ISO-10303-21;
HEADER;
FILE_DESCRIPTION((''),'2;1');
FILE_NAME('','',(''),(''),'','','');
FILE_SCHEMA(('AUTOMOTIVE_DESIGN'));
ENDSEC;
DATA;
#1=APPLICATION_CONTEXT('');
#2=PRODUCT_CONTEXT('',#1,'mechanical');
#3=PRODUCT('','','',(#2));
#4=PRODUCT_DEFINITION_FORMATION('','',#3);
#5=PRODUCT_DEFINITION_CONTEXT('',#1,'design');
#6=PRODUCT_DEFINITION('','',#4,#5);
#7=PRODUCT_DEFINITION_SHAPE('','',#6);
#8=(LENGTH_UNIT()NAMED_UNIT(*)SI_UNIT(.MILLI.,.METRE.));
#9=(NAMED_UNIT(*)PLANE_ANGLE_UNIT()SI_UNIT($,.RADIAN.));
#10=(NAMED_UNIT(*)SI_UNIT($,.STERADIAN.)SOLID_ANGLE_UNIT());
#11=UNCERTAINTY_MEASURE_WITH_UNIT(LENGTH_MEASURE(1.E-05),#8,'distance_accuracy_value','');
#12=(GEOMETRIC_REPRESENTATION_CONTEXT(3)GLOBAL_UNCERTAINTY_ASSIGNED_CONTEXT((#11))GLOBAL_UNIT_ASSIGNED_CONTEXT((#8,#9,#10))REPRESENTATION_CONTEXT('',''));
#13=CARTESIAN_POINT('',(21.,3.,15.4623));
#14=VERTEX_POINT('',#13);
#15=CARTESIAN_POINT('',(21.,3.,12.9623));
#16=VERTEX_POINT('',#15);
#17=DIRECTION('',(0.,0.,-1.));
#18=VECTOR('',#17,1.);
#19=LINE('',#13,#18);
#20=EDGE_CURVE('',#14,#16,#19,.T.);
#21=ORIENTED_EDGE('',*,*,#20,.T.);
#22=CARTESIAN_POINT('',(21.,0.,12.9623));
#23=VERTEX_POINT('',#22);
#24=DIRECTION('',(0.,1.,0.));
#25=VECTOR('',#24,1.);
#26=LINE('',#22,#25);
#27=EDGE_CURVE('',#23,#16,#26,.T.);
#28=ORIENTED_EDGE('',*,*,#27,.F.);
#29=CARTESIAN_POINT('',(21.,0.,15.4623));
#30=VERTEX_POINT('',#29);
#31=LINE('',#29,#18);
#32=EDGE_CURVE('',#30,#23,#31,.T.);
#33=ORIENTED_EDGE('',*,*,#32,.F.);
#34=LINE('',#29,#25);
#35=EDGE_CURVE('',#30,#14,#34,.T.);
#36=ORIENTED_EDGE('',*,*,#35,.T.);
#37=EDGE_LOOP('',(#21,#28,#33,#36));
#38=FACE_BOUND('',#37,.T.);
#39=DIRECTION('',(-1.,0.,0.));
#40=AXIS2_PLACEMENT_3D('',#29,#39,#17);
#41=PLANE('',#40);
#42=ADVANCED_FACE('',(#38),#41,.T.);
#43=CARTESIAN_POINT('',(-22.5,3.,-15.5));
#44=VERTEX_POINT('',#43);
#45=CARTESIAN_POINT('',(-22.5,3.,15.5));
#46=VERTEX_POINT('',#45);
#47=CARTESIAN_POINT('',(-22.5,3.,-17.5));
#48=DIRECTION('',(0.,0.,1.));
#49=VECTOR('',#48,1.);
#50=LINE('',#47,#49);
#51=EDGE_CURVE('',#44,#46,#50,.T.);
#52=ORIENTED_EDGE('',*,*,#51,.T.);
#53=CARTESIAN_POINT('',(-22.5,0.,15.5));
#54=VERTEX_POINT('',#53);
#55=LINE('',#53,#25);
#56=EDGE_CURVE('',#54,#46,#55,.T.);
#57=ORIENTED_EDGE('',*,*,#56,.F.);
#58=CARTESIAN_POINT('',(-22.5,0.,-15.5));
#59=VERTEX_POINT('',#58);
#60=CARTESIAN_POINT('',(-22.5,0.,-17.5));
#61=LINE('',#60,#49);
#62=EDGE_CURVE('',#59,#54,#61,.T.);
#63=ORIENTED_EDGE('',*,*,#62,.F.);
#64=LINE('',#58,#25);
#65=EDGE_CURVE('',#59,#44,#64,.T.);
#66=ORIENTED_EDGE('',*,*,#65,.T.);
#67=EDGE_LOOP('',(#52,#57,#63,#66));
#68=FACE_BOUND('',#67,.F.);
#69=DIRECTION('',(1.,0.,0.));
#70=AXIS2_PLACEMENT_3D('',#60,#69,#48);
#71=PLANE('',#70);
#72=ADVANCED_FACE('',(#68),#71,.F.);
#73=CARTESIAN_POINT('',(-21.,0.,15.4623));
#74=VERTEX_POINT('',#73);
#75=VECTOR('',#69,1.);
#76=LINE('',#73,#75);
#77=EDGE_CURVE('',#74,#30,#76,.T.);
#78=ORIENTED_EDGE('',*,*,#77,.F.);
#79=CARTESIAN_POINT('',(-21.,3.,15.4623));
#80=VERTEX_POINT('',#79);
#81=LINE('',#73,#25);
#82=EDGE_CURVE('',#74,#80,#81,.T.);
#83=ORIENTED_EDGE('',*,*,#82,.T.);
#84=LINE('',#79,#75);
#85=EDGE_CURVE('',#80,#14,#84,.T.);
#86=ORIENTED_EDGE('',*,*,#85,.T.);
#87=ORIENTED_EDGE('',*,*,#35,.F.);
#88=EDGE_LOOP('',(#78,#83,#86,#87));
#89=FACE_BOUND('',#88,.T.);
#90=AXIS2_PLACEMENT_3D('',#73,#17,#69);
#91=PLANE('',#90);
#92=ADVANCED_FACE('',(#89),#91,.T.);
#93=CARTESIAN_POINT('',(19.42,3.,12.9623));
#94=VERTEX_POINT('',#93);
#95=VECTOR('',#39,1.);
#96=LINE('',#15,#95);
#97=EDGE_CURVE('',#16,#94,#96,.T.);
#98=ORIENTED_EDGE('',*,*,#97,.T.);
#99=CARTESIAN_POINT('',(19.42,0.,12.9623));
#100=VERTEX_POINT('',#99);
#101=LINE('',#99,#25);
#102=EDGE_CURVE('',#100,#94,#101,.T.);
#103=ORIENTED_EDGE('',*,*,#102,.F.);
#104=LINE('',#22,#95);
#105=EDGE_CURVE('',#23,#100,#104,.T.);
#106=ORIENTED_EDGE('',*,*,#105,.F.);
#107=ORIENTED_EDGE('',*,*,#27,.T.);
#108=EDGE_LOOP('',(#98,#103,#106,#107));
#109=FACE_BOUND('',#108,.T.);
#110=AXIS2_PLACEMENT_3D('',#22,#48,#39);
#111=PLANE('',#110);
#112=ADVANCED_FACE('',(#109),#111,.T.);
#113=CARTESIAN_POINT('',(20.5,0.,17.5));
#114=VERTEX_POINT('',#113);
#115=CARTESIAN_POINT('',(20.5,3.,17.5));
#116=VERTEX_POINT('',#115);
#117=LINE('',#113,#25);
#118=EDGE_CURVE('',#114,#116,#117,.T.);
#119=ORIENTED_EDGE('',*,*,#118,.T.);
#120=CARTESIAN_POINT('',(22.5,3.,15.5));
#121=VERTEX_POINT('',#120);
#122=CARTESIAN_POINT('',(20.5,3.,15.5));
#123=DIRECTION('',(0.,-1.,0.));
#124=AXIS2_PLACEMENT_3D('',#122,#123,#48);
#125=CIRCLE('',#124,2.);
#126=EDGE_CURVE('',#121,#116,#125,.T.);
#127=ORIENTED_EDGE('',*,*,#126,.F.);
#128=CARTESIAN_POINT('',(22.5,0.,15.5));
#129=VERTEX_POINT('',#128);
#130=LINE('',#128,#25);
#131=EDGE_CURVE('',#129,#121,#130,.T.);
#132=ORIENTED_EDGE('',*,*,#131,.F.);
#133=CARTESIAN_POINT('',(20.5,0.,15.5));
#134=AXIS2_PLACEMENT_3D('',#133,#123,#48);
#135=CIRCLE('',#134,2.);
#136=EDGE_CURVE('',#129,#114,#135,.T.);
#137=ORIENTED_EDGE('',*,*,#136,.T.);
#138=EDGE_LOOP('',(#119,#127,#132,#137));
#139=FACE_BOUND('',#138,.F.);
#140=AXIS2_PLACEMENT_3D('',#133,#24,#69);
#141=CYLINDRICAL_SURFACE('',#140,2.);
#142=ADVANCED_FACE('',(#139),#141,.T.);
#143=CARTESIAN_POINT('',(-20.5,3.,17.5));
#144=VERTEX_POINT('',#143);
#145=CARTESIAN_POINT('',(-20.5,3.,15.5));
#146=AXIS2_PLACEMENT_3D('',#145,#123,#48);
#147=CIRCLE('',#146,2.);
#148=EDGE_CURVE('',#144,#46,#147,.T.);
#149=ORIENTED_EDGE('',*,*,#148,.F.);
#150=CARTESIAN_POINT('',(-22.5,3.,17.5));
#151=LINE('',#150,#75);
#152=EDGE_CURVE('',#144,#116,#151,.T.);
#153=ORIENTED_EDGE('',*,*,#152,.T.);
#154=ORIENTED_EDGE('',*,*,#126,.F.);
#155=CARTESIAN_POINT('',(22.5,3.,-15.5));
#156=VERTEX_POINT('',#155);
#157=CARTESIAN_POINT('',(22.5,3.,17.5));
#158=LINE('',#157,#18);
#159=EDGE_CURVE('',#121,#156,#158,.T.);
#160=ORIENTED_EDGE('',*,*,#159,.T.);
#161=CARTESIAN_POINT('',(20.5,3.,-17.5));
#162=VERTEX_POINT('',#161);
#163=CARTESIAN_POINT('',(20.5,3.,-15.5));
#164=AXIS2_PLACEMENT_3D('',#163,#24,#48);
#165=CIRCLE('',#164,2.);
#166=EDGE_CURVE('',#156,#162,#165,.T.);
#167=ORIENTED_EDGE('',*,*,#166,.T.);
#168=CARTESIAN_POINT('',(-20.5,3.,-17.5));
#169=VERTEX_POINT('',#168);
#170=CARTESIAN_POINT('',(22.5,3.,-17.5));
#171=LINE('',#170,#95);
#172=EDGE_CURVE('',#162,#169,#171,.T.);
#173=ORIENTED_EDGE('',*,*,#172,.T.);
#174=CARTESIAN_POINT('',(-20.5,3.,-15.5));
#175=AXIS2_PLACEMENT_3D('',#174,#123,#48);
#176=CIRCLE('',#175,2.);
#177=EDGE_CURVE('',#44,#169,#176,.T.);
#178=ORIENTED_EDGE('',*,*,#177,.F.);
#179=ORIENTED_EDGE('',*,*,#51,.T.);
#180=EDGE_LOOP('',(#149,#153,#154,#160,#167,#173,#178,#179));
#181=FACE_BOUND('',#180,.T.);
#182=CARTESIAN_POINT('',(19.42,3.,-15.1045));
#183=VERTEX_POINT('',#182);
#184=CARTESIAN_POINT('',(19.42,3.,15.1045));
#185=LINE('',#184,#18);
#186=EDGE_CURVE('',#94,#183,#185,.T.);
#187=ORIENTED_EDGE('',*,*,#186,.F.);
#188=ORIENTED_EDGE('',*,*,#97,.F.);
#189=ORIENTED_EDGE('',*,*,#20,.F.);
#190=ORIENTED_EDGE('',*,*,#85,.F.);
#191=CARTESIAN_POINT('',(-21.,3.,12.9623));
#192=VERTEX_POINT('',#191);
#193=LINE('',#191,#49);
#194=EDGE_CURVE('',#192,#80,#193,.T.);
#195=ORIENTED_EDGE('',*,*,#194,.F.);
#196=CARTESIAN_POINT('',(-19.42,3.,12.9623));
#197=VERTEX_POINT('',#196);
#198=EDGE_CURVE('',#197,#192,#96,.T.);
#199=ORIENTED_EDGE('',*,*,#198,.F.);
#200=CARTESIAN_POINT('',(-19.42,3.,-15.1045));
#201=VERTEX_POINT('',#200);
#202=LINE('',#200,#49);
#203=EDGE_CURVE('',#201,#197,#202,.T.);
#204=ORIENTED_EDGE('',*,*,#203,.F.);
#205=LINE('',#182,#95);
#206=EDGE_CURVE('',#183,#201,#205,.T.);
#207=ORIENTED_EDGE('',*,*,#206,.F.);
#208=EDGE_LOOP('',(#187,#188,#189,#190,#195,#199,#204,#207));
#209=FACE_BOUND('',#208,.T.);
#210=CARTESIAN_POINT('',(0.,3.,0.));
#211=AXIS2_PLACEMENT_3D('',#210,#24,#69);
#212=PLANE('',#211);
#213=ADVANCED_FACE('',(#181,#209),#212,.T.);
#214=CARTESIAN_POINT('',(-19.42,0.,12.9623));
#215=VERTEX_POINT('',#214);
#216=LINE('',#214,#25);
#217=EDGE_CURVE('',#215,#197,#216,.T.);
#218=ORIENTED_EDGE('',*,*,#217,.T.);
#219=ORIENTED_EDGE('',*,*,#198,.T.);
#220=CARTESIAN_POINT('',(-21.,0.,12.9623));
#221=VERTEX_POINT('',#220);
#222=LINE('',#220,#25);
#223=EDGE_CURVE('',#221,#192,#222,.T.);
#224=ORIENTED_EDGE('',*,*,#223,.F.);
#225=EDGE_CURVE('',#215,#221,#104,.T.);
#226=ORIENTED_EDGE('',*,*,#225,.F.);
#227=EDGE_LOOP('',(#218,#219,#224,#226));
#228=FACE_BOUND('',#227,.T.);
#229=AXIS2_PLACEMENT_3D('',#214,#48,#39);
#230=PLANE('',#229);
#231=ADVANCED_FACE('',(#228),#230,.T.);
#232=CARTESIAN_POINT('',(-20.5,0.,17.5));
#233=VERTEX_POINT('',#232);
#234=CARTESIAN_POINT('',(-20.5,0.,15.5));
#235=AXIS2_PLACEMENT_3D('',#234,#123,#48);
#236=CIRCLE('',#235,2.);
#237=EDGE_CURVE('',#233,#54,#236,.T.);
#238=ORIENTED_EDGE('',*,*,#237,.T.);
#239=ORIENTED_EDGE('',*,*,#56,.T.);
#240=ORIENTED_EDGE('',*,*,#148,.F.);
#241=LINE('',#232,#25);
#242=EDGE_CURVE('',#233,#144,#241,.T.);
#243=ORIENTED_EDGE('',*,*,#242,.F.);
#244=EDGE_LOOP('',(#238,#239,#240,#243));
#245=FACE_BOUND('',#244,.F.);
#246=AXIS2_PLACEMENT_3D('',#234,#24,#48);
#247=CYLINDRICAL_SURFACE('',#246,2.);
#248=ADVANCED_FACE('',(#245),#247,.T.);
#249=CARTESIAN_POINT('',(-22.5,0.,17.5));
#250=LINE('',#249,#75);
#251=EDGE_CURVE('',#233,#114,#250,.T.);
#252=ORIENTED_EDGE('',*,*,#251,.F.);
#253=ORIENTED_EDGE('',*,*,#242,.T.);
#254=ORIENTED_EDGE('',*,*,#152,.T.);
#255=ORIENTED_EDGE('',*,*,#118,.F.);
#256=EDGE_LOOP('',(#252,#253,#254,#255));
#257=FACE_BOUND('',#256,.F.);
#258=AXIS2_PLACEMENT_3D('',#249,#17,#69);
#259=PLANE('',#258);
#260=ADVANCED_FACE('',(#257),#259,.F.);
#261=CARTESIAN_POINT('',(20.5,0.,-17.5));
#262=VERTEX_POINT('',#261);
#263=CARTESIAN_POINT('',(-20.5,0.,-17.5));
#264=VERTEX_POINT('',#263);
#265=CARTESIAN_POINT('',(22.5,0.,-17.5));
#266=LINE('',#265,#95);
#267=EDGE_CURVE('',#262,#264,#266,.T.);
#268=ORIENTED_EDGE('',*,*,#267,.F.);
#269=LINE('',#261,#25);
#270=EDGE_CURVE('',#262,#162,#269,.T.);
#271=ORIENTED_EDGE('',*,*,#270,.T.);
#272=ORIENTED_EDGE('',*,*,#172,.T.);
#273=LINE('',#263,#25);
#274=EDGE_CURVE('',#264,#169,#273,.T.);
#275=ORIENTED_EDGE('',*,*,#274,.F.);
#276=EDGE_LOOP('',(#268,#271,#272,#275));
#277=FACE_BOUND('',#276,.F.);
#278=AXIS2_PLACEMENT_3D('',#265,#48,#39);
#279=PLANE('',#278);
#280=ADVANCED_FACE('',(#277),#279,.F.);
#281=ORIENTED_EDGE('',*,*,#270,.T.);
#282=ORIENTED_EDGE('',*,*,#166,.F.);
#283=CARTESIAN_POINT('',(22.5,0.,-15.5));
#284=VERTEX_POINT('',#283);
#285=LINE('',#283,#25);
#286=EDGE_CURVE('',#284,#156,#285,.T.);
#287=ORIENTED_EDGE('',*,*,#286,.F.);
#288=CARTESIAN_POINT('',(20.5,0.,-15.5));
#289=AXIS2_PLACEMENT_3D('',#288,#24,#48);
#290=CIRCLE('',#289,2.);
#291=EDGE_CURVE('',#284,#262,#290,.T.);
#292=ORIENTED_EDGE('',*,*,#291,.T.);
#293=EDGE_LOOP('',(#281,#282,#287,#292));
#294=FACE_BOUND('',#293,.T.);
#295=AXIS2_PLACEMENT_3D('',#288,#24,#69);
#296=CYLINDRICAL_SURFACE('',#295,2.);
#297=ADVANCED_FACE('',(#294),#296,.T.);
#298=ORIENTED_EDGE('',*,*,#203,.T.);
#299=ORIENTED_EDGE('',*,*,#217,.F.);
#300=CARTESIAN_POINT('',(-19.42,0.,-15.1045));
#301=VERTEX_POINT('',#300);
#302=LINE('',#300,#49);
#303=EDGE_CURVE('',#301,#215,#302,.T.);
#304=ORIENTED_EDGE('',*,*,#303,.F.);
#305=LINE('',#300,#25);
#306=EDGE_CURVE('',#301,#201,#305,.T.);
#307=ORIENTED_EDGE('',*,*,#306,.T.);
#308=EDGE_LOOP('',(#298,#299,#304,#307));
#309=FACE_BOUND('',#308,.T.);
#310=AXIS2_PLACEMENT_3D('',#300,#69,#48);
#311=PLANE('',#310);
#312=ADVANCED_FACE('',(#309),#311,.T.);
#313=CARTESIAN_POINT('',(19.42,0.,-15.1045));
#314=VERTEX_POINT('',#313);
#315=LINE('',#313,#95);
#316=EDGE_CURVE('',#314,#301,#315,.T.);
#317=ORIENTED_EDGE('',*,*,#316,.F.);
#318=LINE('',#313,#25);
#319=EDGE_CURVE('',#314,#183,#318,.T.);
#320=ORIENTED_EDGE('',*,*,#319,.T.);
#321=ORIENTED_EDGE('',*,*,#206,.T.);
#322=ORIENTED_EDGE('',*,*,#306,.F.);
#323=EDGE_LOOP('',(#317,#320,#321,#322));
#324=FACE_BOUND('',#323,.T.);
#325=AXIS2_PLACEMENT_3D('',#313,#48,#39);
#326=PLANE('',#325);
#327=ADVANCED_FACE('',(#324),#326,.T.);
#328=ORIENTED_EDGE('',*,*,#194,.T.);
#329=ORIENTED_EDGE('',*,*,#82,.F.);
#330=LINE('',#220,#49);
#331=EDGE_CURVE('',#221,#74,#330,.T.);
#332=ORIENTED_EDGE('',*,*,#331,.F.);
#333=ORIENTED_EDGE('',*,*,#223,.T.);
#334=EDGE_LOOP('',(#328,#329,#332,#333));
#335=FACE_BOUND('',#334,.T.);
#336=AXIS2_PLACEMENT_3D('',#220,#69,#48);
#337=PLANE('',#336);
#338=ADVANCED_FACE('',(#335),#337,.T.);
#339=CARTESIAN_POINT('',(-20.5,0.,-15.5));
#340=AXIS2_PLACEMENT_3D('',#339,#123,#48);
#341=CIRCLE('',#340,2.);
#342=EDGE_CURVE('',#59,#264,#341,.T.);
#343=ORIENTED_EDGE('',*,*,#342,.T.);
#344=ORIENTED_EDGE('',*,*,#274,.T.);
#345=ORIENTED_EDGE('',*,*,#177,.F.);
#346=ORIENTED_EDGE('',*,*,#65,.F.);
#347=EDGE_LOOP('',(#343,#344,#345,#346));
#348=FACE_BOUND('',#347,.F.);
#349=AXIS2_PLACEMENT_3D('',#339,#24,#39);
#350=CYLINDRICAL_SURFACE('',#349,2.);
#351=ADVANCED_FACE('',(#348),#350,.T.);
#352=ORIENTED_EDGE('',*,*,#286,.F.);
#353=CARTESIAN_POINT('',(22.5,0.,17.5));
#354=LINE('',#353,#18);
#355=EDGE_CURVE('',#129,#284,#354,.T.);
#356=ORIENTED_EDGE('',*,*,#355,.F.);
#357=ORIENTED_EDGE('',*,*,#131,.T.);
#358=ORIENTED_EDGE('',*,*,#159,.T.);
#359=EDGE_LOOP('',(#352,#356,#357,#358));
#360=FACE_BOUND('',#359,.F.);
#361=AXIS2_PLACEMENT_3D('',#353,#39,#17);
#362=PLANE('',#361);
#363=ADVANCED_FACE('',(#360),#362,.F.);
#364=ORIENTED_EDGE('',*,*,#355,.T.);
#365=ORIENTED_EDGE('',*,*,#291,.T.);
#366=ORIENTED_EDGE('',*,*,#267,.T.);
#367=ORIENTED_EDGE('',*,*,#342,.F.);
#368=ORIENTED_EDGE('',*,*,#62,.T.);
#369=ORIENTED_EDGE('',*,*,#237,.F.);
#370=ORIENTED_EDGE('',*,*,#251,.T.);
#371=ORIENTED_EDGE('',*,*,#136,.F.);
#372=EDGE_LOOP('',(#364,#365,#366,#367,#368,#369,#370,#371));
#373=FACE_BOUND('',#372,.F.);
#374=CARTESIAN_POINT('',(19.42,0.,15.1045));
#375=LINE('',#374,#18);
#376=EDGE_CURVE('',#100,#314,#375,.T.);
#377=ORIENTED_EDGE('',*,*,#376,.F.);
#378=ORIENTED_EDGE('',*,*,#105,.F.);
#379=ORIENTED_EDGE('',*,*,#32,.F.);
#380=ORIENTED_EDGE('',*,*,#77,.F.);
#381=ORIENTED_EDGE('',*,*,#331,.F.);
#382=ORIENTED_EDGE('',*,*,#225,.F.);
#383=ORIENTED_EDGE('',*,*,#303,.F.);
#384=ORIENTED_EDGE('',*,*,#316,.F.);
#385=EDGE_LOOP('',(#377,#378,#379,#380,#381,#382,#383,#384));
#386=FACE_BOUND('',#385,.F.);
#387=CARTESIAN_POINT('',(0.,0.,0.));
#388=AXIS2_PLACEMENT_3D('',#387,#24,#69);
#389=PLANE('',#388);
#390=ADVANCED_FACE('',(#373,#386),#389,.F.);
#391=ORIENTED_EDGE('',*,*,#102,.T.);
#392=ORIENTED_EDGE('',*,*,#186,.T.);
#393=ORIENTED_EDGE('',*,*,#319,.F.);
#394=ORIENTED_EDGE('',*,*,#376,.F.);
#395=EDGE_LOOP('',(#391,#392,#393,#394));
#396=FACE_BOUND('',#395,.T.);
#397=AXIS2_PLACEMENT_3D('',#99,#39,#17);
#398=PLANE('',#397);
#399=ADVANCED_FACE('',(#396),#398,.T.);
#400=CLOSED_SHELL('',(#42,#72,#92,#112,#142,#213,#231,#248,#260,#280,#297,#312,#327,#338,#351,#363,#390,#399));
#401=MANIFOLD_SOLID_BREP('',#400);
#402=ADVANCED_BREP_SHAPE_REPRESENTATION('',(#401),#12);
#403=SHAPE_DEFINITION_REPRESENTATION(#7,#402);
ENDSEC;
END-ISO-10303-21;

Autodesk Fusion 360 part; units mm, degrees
sketch "Sketch1" plane through (0, 0, 0) normal (0, 1, 0) x (1, 0, 0)
  line L0 (22.5, 17.5) -> (-22.5, 17.5)
  line L1 (-22.5, 17.5) -> (-22.5, -17.5)
  line L2 (-22.5, -17.5) -> (22.5, -17.5)
  line L3 (22.5, -17.5) -> (22.5, 17.5)
  line L4 (22.5, 17.5) -> (-22.5, -17.5) construction
  line L5 (-22.5, 17.5) -> (22.5, -17.5) construction
  line L6 (21, -12.9623) -> (-21, -12.9623)
  line L7 (-21, -12.9623) -> (-21, -15.4623)
  line L8 (-21, -15.4623) -> (21, -15.4623)
  line L9 (21, -15.4623) -> (21, -12.9623)
  line L10 (21, -12.9623) -> (-21, -15.4623) construction
  line L11 (-21, -12.9623) -> (21, -15.4623) construction
  line L12 (19.42, 15.1045) -> (-19.42, 15.1045)
  line L13 (-19.42, 15.1045) -> (-19.42, -15.1045)
  line L14 (-19.42, -15.1045) -> (19.42, -15.1045)
  line L15 (19.42, -15.1045) -> (19.42, 15.1045)
  line L16 (19.42, 15.1045) -> (-19.42, -15.1045) construction
  line L17 (-19.42, 15.1045) -> (19.42, -15.1045) construction
  point P0 (0, -14.2123)
  dimension "d1" = 45
  dimension "d2" = 35
  dimension "d3" = 42
  dimension "d4" = 2.5
extrude "Extrude1" add sketch "Sketch1" along normal blind 3
fillet "Fillet1" radius 2 4 edges at (22.5, 1.5, 17.5) (22.5, 1.5, -17.5) (-22.5, 1.5, 17.5) (-22.5, 1.5, -17.5)
